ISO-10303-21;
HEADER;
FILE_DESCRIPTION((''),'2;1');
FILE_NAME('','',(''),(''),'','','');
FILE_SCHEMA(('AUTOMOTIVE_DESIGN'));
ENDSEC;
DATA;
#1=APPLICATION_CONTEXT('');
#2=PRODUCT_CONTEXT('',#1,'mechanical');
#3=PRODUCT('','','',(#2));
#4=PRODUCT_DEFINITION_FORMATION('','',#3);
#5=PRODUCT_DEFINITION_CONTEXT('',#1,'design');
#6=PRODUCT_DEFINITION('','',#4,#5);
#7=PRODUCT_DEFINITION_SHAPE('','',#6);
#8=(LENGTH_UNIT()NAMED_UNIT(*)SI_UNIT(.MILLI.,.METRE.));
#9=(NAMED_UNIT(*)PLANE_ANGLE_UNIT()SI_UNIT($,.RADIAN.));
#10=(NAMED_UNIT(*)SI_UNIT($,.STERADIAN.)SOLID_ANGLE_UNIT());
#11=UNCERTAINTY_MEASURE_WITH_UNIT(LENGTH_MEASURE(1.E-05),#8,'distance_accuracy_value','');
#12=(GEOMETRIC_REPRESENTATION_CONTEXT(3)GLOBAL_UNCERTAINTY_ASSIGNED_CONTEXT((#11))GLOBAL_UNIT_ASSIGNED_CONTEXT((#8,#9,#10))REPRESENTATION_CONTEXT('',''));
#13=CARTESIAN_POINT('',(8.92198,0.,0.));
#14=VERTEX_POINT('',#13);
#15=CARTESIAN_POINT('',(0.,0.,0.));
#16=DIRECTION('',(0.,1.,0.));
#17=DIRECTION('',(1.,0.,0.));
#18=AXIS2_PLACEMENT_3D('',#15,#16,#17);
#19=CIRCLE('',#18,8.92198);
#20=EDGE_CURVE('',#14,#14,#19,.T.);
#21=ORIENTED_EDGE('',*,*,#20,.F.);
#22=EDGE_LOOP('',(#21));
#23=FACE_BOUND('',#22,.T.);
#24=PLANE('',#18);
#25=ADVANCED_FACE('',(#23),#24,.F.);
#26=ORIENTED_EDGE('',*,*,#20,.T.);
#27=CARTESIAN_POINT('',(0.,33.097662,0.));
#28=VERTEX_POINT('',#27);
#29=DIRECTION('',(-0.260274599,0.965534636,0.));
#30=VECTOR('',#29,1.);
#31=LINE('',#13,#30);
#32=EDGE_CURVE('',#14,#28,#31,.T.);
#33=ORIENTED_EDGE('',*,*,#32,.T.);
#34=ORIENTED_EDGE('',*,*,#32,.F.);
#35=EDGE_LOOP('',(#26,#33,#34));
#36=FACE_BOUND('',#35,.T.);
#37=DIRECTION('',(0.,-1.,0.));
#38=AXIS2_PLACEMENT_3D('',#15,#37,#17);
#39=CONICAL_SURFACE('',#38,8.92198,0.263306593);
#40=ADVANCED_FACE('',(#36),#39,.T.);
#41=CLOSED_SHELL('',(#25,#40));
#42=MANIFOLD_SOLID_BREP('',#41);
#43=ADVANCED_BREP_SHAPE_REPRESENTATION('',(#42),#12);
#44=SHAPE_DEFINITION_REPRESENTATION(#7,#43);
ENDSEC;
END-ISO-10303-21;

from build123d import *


with BuildPart() as f1:
    # F0 (on Top) → F1 (revolve)
    with BuildSketch(Plane.XY):
        Polygon((0, 33.097662), (0, 0), (8.92198, 0), align=None)
    revolve(axis=Axis((0, 16.548831, 0), (0, 1, 0)))


solid = f1.part
